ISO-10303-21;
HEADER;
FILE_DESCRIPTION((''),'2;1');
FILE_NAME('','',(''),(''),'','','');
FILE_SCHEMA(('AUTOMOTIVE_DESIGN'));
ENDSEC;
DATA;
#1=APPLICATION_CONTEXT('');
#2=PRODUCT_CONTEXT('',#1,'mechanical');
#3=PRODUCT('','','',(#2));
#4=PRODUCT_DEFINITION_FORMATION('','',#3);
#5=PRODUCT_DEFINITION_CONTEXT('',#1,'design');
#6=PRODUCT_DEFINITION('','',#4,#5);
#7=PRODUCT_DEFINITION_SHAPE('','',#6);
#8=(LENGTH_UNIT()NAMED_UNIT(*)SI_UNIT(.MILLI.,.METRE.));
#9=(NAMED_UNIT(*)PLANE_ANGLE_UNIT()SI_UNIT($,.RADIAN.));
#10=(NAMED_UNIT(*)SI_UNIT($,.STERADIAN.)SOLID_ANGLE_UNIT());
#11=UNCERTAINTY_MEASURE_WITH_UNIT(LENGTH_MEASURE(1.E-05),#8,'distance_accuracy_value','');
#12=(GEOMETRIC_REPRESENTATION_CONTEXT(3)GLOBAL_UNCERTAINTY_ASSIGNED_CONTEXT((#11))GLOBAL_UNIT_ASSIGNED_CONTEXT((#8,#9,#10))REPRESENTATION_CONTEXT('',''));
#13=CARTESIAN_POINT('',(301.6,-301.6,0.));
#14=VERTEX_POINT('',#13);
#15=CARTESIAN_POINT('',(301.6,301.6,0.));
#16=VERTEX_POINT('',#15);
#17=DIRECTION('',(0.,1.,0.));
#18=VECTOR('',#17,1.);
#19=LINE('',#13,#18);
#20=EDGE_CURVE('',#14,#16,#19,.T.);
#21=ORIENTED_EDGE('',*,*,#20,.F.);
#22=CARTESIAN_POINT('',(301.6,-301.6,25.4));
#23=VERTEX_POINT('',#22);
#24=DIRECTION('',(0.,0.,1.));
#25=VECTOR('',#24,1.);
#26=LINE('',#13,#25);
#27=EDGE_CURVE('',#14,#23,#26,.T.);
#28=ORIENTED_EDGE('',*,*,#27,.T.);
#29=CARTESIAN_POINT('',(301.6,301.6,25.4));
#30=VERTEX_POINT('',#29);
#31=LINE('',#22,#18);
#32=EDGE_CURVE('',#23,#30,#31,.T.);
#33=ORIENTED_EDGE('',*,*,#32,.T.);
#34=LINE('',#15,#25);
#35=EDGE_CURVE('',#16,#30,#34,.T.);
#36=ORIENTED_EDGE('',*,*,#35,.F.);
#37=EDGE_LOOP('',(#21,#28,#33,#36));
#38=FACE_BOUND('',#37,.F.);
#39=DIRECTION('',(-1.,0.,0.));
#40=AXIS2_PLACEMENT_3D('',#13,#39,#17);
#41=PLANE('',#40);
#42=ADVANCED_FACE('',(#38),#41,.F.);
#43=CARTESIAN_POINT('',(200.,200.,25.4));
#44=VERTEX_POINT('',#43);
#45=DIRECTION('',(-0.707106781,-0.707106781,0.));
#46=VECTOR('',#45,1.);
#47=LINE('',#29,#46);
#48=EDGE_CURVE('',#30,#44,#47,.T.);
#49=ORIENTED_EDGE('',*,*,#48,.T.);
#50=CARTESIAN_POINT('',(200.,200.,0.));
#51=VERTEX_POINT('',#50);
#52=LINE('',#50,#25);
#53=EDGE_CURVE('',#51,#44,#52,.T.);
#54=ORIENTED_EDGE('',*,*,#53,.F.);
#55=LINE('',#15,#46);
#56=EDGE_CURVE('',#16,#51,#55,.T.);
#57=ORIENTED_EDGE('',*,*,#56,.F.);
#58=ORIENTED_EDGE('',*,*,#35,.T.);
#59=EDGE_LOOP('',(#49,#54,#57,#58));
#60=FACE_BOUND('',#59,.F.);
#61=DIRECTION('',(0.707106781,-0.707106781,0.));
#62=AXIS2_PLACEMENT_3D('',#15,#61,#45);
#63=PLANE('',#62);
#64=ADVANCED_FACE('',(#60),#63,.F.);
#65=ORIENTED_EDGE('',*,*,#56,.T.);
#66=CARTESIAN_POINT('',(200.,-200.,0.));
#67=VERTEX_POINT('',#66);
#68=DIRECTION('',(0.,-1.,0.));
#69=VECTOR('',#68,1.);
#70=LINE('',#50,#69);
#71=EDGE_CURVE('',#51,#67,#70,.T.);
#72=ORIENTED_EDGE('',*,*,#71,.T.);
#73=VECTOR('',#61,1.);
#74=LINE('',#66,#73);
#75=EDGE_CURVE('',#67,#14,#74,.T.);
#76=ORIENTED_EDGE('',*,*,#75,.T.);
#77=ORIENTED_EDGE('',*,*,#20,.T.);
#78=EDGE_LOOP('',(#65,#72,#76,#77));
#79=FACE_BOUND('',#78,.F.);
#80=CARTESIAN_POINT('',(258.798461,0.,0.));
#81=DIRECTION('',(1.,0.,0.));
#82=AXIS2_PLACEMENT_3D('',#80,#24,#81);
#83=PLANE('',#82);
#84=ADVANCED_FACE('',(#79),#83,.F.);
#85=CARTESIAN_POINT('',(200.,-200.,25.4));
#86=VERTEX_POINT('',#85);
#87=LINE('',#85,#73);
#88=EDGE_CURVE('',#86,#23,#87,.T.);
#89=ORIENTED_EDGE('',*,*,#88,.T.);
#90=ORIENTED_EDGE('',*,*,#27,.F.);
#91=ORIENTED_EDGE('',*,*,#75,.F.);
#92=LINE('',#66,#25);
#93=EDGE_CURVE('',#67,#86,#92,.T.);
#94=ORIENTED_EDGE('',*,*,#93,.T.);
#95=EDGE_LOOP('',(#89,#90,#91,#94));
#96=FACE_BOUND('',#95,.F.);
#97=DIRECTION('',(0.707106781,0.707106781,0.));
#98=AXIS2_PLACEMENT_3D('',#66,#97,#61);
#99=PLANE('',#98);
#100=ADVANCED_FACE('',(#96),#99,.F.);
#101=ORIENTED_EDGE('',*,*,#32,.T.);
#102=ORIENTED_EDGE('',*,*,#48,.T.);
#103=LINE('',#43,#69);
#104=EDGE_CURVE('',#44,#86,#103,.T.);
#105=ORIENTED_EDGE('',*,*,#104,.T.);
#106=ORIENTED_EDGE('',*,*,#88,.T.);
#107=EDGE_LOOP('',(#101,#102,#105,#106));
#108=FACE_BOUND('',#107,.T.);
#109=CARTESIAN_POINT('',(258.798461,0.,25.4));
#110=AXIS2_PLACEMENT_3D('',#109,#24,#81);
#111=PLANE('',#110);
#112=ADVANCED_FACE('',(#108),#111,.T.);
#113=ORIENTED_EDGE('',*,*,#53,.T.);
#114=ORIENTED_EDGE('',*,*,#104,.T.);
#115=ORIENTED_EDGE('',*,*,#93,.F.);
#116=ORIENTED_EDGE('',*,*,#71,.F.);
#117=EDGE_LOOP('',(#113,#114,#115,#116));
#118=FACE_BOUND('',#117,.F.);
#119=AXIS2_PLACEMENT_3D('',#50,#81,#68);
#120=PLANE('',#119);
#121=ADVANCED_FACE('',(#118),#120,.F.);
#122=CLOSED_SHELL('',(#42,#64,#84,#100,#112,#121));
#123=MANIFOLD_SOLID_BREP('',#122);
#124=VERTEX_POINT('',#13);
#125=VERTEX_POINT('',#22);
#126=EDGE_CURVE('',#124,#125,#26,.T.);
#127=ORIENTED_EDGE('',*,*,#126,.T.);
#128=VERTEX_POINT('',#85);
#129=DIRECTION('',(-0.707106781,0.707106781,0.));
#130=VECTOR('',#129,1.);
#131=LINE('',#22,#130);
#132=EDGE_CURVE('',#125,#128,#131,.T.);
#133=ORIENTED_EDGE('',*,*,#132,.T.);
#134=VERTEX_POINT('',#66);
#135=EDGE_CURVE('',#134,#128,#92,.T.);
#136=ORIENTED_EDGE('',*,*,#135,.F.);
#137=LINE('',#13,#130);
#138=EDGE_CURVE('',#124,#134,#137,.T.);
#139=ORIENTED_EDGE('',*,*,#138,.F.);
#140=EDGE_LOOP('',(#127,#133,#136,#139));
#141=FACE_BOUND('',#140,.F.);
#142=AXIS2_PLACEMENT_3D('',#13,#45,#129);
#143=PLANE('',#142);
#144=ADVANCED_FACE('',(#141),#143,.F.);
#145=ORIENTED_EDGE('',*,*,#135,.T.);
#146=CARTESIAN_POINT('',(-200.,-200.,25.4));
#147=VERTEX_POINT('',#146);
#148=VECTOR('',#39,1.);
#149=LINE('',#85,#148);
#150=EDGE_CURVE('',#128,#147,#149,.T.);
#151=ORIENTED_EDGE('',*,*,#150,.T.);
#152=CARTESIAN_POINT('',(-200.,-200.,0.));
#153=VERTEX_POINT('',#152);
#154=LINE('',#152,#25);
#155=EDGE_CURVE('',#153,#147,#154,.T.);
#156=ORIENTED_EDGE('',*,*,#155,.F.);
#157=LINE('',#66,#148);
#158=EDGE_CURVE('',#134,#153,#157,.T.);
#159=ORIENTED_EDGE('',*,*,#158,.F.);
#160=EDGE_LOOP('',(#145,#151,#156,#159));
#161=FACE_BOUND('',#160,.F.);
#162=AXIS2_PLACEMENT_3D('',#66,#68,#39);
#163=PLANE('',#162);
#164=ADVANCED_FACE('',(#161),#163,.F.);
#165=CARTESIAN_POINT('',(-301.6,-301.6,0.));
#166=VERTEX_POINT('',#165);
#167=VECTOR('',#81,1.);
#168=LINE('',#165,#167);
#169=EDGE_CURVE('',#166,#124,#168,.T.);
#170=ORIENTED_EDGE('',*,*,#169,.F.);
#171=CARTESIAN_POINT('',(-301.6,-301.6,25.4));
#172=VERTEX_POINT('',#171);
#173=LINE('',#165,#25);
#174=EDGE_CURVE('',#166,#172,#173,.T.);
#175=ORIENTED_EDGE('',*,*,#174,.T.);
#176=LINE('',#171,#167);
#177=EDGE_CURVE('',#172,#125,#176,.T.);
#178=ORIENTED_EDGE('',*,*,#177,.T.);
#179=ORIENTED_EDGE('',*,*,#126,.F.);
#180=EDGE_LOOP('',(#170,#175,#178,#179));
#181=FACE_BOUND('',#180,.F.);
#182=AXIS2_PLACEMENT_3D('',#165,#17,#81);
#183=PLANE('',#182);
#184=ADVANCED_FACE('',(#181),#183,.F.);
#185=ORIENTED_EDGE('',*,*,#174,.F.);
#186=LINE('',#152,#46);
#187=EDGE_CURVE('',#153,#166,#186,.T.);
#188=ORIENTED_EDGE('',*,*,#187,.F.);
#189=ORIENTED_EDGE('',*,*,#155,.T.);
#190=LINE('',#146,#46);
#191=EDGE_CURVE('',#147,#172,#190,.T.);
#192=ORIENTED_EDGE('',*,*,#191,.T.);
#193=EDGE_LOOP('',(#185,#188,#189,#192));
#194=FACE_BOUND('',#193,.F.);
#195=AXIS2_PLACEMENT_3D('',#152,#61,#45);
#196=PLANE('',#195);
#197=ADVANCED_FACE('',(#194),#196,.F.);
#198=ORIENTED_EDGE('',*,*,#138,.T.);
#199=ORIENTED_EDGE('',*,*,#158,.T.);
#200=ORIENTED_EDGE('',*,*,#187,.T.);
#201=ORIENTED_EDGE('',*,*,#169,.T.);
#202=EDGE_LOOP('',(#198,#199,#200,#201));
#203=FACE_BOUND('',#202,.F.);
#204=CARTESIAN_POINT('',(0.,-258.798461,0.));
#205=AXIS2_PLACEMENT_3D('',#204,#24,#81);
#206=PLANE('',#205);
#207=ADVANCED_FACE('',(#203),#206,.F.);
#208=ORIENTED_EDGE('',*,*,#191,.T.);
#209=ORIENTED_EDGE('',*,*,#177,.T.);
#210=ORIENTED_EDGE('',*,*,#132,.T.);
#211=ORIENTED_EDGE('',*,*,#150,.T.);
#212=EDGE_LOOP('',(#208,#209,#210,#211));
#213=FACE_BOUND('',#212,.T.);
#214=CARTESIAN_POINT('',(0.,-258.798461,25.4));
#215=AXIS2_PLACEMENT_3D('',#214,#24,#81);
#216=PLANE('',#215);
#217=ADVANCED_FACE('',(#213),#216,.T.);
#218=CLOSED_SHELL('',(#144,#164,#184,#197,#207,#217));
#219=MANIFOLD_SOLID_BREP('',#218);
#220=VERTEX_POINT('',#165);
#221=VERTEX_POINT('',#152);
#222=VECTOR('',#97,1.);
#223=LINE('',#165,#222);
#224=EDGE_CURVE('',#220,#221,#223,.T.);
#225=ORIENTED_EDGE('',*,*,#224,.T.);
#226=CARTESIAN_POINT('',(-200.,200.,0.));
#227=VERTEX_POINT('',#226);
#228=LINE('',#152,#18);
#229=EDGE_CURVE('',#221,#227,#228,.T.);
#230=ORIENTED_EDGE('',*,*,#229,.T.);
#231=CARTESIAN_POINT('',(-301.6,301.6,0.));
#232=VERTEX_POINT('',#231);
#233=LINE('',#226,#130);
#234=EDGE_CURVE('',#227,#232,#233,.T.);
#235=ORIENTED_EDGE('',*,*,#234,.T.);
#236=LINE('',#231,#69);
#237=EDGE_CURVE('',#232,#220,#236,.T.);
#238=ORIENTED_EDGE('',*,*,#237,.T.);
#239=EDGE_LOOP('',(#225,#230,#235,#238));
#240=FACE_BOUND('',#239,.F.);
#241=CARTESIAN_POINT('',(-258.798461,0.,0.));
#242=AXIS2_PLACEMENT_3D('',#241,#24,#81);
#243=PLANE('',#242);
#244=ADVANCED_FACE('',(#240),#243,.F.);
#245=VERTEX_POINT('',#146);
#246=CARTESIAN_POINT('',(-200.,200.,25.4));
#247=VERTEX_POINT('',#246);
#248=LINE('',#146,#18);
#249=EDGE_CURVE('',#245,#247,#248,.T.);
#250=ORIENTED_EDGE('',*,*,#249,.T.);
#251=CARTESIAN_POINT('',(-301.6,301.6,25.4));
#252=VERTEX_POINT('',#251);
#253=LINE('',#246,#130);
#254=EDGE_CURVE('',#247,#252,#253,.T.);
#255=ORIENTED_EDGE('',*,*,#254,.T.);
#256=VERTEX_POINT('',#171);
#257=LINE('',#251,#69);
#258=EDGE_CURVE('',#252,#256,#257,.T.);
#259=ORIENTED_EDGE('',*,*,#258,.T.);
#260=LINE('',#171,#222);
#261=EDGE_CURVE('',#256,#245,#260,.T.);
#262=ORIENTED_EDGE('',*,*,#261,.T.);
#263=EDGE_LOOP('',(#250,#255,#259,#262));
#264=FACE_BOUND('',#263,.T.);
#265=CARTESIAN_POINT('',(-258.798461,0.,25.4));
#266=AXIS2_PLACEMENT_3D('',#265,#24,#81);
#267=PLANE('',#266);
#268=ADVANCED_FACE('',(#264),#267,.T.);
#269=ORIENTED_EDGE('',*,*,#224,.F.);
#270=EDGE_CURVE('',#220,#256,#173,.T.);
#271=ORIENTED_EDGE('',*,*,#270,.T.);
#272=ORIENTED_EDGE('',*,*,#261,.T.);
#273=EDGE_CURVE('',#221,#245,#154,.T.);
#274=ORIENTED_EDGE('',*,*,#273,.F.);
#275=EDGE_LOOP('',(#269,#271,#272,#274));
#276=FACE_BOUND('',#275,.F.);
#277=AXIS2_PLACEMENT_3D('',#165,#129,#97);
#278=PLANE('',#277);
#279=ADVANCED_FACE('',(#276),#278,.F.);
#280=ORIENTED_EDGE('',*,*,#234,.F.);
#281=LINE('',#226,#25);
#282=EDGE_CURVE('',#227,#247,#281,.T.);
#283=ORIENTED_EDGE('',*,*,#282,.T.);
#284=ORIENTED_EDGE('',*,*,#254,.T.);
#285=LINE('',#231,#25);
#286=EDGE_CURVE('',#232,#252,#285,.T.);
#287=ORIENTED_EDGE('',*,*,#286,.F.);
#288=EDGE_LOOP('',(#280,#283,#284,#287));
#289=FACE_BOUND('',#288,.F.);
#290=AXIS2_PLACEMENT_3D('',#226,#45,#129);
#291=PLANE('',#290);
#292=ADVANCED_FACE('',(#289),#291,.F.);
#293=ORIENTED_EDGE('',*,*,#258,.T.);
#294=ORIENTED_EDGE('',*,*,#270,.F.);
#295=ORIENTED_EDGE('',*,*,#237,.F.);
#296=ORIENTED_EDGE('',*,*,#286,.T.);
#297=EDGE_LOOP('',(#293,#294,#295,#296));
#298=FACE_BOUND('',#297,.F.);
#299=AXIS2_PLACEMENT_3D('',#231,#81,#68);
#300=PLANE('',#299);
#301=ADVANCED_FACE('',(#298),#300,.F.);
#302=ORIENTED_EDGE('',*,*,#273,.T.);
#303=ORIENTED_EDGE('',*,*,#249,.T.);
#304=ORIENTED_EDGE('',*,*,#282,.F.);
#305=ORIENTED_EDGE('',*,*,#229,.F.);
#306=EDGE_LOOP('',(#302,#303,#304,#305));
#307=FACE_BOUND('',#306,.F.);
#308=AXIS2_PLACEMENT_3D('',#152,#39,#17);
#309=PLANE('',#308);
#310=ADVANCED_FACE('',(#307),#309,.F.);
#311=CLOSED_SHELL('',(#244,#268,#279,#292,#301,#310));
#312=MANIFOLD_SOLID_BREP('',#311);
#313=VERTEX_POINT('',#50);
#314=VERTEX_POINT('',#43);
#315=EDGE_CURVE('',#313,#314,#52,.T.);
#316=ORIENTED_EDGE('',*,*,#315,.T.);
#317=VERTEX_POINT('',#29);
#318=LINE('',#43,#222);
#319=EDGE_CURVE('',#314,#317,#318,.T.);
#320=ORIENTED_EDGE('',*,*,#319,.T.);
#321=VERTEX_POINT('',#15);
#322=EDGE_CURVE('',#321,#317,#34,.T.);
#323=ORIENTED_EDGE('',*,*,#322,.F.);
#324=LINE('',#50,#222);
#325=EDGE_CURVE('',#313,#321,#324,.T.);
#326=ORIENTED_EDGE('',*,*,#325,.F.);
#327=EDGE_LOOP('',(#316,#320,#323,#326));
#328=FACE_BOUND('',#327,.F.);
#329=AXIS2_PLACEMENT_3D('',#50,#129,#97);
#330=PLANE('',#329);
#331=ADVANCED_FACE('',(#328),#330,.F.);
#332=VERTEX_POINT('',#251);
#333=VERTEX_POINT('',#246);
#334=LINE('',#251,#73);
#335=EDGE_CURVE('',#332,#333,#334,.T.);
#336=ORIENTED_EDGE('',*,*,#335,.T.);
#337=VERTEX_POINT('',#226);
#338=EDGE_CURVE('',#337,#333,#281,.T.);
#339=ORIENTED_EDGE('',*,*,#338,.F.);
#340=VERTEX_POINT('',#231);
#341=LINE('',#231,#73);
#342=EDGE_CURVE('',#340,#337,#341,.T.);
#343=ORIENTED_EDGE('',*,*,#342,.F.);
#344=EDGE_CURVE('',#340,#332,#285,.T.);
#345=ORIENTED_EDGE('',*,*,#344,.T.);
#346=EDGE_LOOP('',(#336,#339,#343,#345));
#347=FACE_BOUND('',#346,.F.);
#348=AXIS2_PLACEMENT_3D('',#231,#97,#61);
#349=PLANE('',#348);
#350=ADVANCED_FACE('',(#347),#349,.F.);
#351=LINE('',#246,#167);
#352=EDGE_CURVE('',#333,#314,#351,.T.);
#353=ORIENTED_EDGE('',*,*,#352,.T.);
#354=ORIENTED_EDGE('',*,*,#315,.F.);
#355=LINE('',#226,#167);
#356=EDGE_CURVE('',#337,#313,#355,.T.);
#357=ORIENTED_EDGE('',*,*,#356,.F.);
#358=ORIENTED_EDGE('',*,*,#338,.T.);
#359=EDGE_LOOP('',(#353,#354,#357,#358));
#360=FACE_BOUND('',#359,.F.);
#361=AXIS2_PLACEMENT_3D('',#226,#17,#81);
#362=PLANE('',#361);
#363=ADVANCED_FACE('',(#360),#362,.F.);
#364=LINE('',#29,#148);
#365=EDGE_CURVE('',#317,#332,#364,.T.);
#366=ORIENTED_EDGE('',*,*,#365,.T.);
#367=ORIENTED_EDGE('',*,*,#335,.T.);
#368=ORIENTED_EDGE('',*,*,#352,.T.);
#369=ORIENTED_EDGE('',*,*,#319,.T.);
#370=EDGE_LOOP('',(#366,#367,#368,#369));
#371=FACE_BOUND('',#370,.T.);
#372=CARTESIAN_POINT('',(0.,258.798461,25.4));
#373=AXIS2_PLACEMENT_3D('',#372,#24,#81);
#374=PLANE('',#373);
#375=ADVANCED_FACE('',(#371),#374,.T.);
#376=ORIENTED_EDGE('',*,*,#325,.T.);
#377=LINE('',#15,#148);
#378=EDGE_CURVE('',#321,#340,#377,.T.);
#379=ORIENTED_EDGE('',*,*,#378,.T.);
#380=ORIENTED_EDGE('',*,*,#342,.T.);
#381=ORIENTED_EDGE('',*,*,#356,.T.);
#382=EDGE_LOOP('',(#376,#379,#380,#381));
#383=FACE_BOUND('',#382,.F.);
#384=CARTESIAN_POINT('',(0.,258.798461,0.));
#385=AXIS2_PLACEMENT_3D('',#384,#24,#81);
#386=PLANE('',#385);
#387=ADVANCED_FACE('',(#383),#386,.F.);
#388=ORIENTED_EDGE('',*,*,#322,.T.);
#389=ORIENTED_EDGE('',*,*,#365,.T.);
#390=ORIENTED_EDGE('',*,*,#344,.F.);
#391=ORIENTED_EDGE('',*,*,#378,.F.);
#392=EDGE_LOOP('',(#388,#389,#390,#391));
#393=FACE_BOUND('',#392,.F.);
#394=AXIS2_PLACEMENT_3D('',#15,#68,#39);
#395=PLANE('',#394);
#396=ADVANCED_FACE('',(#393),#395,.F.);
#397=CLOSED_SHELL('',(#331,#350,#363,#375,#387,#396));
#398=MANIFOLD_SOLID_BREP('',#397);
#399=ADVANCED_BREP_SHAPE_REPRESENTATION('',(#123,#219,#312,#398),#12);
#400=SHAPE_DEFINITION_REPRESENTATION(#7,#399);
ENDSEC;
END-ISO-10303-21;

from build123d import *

# Parameters (mm, degrees)
F1_DEPTH = 25.4
F2_DEPTH = 25.4
F3_DEPTH = 25.4
F4_DEPTH = 25.4


with BuildPart() as f1:
    # F0 (on Top) → F1 (new body)
    with BuildSketch(Plane.XY):
        Polygon((-200, 200), (200, 200), (301.6, 301.6), (-301.6, 301.6), align=None)
    extrude(amount=F1_DEPTH)


with BuildPart() as f2:
    # F0 (on Top) → F2 (new body)
    with BuildSketch(Plane.XY):
        Polygon((-200, -200), (-200, 200), (-301.6, 301.6), (-301.6, -301.6), align=None)
    extrude(amount=F2_DEPTH)


with BuildPart() as f3:
    # F0 (on Top) → F3 (new body)
    with BuildSketch(Plane.XY):
        Polygon((301.6, -301.6), (200, -200), (-200, -200), (-301.6, -301.6), align=None)
    extrude(amount=F3_DEPTH)


with BuildPart() as f4:
    # F0 (on Top) → F4 (new body)
    with BuildSketch(Plane.XY):
        Polygon((301.6, 301.6), (200, 200), (200, -200), (301.6, -301.6), align=None)
    extrude(amount=F4_DEPTH)


solid = Compound([f1.part, f2.part, f3.part, f4.part])
